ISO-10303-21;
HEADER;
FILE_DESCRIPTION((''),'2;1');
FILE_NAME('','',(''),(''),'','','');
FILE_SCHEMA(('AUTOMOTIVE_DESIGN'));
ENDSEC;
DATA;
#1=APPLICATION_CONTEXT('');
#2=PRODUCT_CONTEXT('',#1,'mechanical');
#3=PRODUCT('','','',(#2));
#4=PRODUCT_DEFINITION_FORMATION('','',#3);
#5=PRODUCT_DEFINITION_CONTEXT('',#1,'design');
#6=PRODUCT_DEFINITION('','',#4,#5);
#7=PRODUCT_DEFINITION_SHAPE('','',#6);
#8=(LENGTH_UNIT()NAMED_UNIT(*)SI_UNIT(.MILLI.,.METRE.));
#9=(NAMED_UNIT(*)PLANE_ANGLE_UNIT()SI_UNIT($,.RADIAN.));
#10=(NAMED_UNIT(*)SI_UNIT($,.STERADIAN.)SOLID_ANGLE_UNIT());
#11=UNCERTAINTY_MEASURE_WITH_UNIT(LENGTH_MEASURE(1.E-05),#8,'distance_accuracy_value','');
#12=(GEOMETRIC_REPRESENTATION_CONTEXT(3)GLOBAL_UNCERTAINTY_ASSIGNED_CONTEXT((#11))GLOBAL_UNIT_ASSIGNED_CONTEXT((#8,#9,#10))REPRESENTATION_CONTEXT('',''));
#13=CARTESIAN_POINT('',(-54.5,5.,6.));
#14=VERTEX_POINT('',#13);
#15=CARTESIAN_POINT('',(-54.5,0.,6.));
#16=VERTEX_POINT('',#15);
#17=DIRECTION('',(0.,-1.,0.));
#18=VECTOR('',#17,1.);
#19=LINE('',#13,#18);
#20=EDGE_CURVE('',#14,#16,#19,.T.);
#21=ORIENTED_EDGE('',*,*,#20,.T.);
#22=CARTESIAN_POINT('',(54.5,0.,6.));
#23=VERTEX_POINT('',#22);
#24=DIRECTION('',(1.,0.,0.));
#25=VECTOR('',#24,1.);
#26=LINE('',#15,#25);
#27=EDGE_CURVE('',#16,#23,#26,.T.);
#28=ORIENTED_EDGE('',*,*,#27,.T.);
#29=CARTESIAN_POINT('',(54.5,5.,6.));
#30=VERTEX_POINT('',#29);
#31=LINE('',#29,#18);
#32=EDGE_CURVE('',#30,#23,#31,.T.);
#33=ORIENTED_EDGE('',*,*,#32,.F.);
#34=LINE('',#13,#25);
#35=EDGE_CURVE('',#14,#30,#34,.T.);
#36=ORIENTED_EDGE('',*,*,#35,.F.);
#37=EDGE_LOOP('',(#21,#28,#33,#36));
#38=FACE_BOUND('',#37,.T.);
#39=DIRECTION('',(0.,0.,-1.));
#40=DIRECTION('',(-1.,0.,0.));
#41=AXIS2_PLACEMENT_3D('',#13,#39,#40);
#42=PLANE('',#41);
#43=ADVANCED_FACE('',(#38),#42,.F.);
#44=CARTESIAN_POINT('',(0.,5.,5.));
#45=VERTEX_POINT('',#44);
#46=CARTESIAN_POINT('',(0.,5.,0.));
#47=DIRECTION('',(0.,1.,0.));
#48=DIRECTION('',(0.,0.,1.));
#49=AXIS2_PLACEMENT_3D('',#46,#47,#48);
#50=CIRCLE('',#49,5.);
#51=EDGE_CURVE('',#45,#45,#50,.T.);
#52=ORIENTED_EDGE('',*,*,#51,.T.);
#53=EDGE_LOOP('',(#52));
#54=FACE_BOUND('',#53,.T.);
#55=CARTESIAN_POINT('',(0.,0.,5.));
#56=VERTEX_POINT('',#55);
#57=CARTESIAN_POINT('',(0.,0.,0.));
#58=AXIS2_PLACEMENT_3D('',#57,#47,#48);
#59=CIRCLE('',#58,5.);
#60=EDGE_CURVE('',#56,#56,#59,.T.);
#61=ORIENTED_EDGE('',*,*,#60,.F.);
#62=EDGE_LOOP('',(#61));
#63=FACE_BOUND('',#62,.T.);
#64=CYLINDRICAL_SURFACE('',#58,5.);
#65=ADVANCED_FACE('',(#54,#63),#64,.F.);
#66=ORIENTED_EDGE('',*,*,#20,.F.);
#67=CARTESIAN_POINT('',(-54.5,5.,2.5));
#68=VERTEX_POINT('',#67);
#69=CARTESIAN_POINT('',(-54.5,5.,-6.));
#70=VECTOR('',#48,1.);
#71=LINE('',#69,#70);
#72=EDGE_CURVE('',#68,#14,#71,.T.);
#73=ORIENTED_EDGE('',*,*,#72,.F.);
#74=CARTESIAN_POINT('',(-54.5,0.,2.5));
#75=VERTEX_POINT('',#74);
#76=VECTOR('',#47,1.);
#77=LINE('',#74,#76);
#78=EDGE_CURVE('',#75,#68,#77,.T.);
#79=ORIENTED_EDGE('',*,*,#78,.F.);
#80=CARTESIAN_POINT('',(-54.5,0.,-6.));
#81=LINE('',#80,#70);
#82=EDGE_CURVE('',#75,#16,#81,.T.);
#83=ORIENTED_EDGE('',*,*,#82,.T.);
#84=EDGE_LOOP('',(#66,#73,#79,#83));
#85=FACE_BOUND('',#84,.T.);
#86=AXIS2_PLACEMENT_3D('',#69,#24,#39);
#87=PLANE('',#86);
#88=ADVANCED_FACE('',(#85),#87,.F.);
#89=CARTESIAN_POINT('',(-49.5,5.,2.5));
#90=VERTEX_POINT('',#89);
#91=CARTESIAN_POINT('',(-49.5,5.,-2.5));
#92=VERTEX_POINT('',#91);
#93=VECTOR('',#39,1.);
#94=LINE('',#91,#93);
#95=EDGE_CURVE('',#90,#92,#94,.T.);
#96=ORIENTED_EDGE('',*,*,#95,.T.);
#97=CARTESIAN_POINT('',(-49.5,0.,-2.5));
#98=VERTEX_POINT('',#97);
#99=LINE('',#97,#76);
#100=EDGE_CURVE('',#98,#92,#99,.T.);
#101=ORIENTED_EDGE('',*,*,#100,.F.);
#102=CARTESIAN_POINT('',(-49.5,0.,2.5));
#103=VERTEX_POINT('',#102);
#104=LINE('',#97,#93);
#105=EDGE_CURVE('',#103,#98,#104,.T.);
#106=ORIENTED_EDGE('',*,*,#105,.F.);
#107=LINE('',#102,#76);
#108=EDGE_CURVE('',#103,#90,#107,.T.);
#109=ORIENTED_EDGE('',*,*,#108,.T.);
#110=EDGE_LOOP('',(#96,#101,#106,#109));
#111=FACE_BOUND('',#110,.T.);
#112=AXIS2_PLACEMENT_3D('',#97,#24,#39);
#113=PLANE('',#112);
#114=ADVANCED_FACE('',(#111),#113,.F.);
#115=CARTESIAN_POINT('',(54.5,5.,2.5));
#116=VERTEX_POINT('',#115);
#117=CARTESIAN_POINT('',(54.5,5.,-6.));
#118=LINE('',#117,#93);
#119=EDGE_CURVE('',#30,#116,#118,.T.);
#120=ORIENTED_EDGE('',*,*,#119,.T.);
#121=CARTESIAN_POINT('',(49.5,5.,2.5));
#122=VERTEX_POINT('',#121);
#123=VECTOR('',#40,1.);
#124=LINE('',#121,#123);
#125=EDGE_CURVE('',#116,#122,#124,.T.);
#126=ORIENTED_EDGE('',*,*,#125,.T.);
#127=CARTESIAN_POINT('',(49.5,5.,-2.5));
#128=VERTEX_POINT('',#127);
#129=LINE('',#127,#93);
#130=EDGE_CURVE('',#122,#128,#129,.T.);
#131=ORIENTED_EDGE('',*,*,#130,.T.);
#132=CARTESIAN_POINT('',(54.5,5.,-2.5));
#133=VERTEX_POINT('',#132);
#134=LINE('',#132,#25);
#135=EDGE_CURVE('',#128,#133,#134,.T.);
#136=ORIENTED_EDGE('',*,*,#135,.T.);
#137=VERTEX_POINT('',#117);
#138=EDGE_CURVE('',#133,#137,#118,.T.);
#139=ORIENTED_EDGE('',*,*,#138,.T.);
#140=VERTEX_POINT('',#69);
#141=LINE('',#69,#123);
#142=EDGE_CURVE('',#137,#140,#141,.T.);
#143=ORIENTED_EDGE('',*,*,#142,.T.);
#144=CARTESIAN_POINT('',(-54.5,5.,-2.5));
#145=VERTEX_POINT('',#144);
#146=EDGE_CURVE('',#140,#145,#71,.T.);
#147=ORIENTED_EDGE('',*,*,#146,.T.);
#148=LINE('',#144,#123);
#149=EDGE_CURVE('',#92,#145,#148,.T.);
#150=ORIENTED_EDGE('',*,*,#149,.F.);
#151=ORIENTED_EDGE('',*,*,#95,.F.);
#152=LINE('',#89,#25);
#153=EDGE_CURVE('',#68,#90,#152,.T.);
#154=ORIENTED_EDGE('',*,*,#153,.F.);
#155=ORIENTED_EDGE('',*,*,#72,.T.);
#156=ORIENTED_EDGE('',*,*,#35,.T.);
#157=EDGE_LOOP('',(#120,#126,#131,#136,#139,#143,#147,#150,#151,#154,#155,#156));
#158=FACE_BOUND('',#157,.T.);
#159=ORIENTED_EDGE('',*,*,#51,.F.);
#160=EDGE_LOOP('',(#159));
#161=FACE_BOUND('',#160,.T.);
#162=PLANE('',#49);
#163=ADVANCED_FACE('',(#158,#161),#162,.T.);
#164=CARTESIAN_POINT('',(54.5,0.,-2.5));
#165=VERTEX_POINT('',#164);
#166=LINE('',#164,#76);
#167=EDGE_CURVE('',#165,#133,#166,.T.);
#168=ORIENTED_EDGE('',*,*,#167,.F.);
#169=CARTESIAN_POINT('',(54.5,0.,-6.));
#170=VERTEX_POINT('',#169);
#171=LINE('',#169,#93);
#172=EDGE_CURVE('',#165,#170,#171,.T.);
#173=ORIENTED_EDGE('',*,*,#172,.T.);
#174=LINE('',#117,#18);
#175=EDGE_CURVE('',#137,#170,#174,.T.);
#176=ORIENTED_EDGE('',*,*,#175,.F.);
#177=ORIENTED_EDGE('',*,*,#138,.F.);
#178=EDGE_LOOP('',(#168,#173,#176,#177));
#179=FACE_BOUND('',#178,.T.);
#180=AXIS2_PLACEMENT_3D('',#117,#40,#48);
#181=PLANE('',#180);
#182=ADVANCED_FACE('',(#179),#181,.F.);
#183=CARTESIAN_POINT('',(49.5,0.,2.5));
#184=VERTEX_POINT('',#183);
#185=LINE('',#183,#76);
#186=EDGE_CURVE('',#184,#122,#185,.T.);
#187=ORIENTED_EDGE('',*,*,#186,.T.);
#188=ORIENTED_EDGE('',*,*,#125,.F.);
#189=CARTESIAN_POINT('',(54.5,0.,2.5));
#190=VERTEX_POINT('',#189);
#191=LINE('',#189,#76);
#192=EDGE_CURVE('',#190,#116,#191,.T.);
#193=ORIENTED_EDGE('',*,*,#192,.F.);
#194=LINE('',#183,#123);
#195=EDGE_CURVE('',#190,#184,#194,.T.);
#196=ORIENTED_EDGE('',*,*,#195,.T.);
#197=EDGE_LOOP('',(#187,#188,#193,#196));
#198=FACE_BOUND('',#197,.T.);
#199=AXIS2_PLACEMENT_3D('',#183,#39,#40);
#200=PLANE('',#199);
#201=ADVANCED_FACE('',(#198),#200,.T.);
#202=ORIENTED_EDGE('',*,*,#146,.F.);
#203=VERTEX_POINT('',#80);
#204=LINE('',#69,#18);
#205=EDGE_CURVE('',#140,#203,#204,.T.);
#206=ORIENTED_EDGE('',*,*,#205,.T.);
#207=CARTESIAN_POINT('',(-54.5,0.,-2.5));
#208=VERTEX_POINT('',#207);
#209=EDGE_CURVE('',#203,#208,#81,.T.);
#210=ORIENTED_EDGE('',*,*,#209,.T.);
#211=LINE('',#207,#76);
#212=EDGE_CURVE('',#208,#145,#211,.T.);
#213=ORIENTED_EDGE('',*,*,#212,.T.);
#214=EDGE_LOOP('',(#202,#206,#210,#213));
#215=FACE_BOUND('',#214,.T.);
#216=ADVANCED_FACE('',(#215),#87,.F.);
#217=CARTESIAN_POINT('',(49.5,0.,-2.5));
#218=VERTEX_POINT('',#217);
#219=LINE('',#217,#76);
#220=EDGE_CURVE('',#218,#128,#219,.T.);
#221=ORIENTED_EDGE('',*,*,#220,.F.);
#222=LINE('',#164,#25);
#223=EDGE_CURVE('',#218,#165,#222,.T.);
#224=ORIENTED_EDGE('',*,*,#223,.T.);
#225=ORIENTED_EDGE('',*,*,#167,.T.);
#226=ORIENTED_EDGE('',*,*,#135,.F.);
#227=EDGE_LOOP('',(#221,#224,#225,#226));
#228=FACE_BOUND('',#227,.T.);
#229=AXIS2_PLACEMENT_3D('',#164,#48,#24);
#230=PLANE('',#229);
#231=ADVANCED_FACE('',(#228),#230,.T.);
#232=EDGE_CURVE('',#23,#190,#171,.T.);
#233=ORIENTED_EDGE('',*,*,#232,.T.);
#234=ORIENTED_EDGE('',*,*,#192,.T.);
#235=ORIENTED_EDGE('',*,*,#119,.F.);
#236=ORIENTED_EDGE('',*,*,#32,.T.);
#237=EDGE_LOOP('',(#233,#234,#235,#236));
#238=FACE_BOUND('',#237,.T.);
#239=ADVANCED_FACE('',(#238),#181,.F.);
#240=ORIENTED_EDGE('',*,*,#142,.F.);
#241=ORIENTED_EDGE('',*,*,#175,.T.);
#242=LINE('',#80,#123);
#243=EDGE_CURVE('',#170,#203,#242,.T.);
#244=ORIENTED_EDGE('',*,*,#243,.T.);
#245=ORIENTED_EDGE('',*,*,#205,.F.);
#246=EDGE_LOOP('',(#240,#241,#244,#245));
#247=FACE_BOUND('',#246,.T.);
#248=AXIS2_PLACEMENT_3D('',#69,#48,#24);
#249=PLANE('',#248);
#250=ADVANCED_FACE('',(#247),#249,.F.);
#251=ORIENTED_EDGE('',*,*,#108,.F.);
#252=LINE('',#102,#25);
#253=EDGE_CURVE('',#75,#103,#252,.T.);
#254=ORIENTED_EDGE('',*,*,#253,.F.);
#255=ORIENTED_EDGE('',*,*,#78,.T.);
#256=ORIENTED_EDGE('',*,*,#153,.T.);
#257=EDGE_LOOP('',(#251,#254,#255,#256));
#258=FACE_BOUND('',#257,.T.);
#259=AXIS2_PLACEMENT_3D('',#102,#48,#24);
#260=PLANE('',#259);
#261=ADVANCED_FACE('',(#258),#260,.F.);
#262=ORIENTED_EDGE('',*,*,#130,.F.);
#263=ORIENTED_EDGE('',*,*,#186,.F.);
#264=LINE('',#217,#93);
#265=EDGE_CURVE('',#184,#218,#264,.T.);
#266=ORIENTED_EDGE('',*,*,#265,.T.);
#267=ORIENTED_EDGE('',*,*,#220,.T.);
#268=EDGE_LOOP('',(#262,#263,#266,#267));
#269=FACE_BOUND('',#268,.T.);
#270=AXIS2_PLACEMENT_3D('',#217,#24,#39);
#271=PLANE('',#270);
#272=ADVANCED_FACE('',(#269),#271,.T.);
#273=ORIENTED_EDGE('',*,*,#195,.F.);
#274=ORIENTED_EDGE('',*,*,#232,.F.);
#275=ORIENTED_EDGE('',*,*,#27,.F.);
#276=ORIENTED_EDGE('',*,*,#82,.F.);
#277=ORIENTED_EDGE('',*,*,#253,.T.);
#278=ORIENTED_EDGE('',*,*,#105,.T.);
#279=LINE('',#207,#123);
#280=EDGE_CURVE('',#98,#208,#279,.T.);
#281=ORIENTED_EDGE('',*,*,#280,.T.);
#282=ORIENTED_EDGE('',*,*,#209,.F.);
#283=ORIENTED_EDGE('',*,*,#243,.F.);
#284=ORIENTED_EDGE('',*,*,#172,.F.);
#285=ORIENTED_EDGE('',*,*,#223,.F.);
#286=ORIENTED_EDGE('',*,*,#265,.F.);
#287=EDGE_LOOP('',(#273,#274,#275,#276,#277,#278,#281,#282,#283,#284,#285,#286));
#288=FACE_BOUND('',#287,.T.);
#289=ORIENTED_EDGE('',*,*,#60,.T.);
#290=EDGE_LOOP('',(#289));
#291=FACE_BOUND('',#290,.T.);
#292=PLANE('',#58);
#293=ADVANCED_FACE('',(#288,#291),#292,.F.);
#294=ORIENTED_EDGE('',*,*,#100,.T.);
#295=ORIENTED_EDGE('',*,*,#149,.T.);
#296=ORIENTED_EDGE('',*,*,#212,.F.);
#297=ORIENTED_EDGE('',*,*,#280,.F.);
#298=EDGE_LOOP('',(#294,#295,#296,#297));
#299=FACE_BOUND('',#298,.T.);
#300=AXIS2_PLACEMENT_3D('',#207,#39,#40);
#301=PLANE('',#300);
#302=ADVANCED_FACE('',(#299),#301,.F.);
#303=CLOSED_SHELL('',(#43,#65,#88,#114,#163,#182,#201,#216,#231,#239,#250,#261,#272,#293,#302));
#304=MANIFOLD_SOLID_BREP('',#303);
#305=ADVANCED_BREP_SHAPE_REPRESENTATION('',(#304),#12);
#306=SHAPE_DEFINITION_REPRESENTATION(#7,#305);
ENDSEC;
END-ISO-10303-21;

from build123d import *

# Parameters (mm, degrees)
SKETCH1_W           = 109
SKETCH1_H           = 12
BOSS_EXTRUDE1_DEPTH = 5
SKETCH2_R           = 5
CUT_EXTRUDE2_DEPTH  = 56.056788864
CUT_EXTRUDE3_DEPTH  = 56.056788864


with BuildPart() as part:
    # Sketch1 → Boss-Extrude1 (new body)
    with BuildSketch(Plane(origin=(0, 0, 0), x_dir=(1, 0, 0), z_dir=(0, 1, 0))):
        Rectangle(SKETCH1_W, SKETCH1_H)
    extrude(amount=BOSS_EXTRUDE1_DEPTH)

    # Sketch2 → Cut-Extrude2 (cut, through all)
    with BuildSketch(Plane(origin=(0, 5, 0), x_dir=(1, 0, 0), z_dir=(0, 1, 0))):
        with Locations(Location((0, 0, 0), (0, 0, 270))):
            Circle(SKETCH2_R)
    extrude(amount=-CUT_EXTRUDE2_DEPTH, mode=Mode.SUBTRACT)

    # Sketch3 → Cut-Extrude3 (cut, through all)
    with BuildSketch(Plane(origin=(0, 5, 0), x_dir=(1, 0, 0), z_dir=(0, 1, 0))):
        Polygon((-54.5, 0), (-54.5, 2.5), (-49.5, 2.5), (-49.5, -2.5), (-54.5, -2.5), align=None)
    cut_extrude3 = extrude(amount=-CUT_EXTRUDE3_DEPTH, mode=Mode.SUBTRACT)

    # Mirror1: Cut-Extrude3 across plane
    add(cut_extrude3.mirror(Plane(origin=(0, 0, 0), x_dir=(0, 0, 1), z_dir=(1, 0, 0))), mode=Mode.SUBTRACT)


solid = part.part
